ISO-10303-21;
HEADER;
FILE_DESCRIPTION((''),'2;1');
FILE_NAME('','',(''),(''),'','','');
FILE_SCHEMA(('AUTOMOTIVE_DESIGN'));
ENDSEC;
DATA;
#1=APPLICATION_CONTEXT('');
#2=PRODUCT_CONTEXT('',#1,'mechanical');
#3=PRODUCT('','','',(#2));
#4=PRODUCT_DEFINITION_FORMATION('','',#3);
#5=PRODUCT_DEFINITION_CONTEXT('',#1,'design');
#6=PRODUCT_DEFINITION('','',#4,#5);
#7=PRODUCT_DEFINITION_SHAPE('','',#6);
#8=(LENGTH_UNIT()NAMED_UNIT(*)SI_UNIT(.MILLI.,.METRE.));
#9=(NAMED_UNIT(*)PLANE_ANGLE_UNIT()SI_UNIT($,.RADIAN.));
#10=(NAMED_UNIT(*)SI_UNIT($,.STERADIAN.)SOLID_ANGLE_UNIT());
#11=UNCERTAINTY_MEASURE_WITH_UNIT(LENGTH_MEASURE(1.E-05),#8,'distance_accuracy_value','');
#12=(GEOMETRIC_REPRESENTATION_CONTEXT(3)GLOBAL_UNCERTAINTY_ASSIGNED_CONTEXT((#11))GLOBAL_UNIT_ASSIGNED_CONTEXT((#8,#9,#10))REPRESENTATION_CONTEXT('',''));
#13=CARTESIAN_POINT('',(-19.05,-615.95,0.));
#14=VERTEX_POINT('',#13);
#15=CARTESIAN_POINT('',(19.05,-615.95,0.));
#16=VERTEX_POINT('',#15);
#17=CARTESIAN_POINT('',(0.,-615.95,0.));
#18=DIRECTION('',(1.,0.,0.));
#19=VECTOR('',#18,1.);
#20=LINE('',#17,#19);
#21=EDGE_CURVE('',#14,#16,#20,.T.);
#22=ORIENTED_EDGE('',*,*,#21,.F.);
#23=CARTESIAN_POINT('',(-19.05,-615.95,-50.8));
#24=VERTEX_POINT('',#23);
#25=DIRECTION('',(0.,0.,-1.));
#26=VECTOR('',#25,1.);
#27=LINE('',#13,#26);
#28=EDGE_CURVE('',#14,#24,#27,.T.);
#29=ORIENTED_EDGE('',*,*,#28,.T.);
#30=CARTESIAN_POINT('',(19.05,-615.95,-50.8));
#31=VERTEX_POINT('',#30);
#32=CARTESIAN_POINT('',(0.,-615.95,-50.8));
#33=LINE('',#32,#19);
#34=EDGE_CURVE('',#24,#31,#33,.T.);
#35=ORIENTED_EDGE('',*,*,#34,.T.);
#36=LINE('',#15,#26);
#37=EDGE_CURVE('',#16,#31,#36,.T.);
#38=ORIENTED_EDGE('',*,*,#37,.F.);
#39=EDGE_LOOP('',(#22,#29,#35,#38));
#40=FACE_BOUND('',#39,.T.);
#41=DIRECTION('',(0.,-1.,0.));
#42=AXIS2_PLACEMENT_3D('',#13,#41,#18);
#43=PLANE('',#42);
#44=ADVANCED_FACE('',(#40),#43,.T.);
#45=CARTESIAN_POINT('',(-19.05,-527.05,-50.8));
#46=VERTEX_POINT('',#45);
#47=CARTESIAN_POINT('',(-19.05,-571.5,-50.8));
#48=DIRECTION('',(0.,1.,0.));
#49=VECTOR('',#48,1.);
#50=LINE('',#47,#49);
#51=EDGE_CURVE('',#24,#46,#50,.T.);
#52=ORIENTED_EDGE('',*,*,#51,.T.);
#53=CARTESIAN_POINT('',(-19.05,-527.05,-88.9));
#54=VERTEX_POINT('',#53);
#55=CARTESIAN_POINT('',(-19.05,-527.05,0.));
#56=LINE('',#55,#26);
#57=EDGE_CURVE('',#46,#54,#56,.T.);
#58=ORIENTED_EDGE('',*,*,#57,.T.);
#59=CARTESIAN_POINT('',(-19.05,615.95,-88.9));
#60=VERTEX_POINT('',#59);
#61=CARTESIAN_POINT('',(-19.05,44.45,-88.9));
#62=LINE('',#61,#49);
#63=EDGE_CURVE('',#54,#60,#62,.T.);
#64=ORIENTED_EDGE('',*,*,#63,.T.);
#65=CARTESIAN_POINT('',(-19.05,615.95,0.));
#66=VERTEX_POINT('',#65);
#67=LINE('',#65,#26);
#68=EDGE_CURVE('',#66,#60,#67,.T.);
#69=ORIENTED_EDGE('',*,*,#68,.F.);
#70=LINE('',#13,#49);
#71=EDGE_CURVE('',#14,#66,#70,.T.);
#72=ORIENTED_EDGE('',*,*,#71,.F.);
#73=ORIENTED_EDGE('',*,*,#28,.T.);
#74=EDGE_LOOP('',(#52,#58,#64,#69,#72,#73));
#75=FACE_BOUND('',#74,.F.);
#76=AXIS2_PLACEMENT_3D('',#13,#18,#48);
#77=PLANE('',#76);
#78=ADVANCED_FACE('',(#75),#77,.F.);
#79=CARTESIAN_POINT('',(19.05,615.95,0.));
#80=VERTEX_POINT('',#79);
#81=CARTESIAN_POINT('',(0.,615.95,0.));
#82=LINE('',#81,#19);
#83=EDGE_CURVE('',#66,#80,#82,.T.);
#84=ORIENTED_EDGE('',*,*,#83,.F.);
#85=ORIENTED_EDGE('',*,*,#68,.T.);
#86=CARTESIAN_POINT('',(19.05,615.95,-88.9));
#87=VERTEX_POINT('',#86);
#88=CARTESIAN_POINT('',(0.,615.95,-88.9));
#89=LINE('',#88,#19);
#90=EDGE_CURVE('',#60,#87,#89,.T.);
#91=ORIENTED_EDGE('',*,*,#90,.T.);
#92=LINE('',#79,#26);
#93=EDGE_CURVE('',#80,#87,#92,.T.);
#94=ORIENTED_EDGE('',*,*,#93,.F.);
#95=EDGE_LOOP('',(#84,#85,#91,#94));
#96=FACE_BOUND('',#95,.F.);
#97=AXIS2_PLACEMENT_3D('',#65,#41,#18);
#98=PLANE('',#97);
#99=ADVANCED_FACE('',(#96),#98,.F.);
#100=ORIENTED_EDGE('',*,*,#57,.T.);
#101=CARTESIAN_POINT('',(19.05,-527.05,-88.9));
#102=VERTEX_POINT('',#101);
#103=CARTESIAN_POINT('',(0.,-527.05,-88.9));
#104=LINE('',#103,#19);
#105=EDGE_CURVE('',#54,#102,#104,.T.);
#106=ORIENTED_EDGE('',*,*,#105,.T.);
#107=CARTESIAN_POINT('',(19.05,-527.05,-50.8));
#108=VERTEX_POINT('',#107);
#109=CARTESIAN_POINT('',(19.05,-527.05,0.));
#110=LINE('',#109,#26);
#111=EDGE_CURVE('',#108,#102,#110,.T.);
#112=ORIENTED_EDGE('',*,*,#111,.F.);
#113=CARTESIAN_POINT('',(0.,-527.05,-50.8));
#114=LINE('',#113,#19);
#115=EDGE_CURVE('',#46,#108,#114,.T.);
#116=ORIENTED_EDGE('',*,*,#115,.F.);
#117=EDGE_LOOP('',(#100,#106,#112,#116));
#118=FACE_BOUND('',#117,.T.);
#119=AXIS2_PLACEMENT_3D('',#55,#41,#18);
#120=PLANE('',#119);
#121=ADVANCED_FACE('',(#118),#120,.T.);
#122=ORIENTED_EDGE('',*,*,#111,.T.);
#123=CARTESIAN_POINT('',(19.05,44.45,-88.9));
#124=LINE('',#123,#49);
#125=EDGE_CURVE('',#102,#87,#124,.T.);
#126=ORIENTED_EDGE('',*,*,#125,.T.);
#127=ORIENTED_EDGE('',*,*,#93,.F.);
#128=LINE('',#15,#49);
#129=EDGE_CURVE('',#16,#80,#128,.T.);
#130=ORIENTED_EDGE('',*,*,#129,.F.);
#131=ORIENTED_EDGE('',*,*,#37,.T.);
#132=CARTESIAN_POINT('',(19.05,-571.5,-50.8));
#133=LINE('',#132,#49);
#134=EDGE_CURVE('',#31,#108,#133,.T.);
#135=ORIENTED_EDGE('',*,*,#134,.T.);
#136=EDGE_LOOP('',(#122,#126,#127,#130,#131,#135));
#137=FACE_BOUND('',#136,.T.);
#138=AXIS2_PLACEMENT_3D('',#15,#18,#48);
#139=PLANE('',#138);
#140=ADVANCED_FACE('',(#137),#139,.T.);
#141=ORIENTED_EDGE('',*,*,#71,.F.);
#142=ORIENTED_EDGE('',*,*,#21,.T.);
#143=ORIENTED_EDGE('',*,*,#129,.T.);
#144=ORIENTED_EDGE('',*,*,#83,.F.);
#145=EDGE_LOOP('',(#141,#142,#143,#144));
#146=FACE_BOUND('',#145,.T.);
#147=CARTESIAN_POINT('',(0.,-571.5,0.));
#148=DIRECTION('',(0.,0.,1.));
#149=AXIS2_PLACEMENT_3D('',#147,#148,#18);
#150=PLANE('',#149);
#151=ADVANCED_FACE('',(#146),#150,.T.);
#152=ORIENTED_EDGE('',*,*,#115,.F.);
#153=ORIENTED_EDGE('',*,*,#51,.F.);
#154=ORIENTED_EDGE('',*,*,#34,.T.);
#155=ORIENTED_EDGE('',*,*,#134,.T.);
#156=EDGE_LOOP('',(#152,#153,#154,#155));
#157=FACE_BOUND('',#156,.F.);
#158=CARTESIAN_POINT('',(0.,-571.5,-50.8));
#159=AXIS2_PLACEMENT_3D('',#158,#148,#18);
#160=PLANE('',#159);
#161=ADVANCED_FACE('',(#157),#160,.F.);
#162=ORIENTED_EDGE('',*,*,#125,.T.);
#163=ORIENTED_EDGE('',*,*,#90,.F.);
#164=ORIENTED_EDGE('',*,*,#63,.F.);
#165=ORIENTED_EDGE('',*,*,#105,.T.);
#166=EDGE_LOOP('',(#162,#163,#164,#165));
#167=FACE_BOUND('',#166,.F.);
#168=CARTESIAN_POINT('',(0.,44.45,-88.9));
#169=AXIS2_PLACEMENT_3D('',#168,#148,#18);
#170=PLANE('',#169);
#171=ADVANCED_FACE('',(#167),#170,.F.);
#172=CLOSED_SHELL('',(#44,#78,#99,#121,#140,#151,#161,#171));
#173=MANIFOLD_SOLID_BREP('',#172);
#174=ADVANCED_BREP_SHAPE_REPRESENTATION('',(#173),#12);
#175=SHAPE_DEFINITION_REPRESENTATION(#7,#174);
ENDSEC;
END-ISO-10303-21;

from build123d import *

# Parameters (mm, degrees)
F0_W     = 38.1
F0_H     = 1143
F1_DEPTH = 88.9
F0_H_2   = 88.9
F2_DEPTH = 50.8


with BuildPart() as f1:
    # F0 (on Top) → F1 (new body)
    with BuildSketch(Plane.XY):
        with Locations((0, 44.45)):
            Rectangle(F0_W, F0_H)
    extrude(amount=-F1_DEPTH)

    # F0 (on Top) → F2 (join)
    with BuildSketch(Plane.XY):
        with Locations((0, -571.5)):
            Rectangle(F0_W, F0_H_2)
    extrude(amount=-F2_DEPTH)


solid = f1.part
